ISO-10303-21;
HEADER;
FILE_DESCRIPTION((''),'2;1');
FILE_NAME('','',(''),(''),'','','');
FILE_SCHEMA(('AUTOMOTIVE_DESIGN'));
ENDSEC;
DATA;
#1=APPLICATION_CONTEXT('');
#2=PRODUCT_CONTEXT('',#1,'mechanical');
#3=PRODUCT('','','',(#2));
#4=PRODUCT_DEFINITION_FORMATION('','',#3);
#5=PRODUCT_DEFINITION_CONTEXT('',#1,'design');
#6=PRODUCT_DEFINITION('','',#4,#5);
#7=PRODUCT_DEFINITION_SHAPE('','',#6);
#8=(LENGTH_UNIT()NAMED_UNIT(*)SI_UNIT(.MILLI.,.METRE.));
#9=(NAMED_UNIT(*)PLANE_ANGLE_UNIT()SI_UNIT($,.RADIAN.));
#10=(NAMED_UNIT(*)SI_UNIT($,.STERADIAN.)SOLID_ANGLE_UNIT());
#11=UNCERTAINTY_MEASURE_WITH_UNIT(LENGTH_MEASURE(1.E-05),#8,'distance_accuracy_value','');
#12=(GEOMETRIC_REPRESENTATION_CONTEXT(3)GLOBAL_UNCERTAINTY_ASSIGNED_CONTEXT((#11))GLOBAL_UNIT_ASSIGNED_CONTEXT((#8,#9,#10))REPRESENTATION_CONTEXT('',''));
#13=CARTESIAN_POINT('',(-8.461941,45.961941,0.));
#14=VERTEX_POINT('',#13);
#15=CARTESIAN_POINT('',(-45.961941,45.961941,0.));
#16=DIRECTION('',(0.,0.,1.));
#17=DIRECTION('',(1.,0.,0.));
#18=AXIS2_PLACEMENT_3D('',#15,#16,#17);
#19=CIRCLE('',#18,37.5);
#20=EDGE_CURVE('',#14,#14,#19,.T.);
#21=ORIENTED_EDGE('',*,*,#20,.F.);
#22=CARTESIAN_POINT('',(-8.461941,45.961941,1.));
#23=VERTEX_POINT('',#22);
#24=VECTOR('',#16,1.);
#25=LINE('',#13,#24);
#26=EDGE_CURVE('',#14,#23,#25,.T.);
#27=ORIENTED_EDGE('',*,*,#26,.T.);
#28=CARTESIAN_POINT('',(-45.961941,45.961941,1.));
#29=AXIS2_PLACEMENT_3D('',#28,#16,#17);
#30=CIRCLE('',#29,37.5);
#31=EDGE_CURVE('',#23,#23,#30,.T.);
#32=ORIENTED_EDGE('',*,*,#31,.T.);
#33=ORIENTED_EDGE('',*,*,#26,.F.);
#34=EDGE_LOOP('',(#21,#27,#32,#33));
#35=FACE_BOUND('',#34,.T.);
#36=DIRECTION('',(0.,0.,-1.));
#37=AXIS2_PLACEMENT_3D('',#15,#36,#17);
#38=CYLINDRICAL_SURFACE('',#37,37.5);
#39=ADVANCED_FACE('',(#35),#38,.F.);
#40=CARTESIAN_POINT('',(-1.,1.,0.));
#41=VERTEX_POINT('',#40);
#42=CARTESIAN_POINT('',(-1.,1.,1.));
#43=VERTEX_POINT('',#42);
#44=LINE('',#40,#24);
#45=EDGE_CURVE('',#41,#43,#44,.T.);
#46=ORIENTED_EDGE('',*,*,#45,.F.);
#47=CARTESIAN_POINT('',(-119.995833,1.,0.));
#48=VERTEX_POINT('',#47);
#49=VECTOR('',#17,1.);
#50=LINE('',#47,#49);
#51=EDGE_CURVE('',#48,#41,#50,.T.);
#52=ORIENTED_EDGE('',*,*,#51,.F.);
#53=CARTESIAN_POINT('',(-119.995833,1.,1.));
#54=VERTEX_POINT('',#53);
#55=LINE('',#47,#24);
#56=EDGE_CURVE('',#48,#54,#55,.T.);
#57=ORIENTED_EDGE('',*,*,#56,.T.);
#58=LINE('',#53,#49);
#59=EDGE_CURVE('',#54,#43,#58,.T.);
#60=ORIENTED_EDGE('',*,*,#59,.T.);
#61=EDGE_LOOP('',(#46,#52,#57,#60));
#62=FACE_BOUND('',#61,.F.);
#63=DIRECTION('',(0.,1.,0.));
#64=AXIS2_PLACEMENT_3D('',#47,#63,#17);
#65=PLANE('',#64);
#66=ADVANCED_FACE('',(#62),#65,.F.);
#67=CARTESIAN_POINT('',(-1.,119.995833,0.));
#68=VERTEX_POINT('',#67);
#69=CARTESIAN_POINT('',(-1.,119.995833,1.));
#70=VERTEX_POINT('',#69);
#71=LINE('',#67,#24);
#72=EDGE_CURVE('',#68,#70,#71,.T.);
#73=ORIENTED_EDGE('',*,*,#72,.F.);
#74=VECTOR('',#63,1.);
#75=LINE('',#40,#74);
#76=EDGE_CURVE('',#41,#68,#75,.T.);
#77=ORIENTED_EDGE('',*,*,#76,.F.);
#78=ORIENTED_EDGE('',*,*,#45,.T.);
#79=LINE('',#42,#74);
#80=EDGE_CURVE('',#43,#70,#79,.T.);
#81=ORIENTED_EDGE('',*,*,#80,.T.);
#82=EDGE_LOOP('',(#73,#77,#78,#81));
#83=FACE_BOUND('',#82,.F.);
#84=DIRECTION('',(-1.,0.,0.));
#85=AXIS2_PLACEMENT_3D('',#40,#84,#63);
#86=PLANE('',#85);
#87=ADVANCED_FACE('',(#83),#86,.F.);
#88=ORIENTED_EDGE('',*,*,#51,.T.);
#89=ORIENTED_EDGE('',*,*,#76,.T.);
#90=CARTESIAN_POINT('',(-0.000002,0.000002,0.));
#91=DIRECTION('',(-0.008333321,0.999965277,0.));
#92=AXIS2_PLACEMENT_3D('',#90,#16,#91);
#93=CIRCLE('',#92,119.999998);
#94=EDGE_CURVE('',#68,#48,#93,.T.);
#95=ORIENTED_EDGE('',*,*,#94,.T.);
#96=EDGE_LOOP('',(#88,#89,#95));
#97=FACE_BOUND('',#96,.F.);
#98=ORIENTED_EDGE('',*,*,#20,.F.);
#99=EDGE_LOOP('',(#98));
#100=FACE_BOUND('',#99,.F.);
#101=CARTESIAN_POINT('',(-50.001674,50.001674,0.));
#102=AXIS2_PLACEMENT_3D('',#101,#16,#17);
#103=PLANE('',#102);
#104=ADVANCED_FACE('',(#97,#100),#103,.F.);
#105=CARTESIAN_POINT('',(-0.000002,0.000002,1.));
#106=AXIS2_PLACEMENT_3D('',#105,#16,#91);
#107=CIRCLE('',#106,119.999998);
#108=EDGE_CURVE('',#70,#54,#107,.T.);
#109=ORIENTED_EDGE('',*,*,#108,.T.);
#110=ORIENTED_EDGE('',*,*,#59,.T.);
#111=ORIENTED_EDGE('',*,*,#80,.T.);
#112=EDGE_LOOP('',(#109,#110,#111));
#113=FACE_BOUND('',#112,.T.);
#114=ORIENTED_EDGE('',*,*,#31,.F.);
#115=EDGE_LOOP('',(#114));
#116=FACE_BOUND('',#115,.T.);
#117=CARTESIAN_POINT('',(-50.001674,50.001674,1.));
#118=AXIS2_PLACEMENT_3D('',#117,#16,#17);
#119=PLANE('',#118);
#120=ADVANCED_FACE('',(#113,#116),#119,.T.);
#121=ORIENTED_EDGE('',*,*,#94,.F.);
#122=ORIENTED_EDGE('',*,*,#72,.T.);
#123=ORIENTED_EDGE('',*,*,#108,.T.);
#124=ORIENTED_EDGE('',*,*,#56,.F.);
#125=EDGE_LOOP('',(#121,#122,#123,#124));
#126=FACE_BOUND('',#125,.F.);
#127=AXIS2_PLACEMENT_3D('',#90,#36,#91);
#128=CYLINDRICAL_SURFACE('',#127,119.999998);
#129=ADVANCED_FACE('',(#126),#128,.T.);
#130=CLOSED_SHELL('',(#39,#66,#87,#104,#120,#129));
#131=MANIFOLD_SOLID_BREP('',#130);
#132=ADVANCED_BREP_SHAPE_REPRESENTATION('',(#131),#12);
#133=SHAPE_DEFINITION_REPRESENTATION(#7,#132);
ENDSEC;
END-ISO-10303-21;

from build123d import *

# Parameters (mm, degrees)
F0_R     = 37.5
F1_DEPTH = 1


with BuildPart() as f1:
    # F0 (on Top) → F1 (new body)
    with BuildSketch(Plane.XY):
        with BuildLine():
            Line((-1, 1), (-1, 119.995833))
            ThreePointArc((-1, 119.995833), (-84.852814, 84.852814), (-119.995833, 1))
            Line((-119.995833, 1), (-1, 1))
        make_face()
        with Locations((-45.961941, 45.961941)):
            Circle(F0_R, mode=Mode.SUBTRACT)
    extrude(amount=F1_DEPTH)


solid = f1.part
